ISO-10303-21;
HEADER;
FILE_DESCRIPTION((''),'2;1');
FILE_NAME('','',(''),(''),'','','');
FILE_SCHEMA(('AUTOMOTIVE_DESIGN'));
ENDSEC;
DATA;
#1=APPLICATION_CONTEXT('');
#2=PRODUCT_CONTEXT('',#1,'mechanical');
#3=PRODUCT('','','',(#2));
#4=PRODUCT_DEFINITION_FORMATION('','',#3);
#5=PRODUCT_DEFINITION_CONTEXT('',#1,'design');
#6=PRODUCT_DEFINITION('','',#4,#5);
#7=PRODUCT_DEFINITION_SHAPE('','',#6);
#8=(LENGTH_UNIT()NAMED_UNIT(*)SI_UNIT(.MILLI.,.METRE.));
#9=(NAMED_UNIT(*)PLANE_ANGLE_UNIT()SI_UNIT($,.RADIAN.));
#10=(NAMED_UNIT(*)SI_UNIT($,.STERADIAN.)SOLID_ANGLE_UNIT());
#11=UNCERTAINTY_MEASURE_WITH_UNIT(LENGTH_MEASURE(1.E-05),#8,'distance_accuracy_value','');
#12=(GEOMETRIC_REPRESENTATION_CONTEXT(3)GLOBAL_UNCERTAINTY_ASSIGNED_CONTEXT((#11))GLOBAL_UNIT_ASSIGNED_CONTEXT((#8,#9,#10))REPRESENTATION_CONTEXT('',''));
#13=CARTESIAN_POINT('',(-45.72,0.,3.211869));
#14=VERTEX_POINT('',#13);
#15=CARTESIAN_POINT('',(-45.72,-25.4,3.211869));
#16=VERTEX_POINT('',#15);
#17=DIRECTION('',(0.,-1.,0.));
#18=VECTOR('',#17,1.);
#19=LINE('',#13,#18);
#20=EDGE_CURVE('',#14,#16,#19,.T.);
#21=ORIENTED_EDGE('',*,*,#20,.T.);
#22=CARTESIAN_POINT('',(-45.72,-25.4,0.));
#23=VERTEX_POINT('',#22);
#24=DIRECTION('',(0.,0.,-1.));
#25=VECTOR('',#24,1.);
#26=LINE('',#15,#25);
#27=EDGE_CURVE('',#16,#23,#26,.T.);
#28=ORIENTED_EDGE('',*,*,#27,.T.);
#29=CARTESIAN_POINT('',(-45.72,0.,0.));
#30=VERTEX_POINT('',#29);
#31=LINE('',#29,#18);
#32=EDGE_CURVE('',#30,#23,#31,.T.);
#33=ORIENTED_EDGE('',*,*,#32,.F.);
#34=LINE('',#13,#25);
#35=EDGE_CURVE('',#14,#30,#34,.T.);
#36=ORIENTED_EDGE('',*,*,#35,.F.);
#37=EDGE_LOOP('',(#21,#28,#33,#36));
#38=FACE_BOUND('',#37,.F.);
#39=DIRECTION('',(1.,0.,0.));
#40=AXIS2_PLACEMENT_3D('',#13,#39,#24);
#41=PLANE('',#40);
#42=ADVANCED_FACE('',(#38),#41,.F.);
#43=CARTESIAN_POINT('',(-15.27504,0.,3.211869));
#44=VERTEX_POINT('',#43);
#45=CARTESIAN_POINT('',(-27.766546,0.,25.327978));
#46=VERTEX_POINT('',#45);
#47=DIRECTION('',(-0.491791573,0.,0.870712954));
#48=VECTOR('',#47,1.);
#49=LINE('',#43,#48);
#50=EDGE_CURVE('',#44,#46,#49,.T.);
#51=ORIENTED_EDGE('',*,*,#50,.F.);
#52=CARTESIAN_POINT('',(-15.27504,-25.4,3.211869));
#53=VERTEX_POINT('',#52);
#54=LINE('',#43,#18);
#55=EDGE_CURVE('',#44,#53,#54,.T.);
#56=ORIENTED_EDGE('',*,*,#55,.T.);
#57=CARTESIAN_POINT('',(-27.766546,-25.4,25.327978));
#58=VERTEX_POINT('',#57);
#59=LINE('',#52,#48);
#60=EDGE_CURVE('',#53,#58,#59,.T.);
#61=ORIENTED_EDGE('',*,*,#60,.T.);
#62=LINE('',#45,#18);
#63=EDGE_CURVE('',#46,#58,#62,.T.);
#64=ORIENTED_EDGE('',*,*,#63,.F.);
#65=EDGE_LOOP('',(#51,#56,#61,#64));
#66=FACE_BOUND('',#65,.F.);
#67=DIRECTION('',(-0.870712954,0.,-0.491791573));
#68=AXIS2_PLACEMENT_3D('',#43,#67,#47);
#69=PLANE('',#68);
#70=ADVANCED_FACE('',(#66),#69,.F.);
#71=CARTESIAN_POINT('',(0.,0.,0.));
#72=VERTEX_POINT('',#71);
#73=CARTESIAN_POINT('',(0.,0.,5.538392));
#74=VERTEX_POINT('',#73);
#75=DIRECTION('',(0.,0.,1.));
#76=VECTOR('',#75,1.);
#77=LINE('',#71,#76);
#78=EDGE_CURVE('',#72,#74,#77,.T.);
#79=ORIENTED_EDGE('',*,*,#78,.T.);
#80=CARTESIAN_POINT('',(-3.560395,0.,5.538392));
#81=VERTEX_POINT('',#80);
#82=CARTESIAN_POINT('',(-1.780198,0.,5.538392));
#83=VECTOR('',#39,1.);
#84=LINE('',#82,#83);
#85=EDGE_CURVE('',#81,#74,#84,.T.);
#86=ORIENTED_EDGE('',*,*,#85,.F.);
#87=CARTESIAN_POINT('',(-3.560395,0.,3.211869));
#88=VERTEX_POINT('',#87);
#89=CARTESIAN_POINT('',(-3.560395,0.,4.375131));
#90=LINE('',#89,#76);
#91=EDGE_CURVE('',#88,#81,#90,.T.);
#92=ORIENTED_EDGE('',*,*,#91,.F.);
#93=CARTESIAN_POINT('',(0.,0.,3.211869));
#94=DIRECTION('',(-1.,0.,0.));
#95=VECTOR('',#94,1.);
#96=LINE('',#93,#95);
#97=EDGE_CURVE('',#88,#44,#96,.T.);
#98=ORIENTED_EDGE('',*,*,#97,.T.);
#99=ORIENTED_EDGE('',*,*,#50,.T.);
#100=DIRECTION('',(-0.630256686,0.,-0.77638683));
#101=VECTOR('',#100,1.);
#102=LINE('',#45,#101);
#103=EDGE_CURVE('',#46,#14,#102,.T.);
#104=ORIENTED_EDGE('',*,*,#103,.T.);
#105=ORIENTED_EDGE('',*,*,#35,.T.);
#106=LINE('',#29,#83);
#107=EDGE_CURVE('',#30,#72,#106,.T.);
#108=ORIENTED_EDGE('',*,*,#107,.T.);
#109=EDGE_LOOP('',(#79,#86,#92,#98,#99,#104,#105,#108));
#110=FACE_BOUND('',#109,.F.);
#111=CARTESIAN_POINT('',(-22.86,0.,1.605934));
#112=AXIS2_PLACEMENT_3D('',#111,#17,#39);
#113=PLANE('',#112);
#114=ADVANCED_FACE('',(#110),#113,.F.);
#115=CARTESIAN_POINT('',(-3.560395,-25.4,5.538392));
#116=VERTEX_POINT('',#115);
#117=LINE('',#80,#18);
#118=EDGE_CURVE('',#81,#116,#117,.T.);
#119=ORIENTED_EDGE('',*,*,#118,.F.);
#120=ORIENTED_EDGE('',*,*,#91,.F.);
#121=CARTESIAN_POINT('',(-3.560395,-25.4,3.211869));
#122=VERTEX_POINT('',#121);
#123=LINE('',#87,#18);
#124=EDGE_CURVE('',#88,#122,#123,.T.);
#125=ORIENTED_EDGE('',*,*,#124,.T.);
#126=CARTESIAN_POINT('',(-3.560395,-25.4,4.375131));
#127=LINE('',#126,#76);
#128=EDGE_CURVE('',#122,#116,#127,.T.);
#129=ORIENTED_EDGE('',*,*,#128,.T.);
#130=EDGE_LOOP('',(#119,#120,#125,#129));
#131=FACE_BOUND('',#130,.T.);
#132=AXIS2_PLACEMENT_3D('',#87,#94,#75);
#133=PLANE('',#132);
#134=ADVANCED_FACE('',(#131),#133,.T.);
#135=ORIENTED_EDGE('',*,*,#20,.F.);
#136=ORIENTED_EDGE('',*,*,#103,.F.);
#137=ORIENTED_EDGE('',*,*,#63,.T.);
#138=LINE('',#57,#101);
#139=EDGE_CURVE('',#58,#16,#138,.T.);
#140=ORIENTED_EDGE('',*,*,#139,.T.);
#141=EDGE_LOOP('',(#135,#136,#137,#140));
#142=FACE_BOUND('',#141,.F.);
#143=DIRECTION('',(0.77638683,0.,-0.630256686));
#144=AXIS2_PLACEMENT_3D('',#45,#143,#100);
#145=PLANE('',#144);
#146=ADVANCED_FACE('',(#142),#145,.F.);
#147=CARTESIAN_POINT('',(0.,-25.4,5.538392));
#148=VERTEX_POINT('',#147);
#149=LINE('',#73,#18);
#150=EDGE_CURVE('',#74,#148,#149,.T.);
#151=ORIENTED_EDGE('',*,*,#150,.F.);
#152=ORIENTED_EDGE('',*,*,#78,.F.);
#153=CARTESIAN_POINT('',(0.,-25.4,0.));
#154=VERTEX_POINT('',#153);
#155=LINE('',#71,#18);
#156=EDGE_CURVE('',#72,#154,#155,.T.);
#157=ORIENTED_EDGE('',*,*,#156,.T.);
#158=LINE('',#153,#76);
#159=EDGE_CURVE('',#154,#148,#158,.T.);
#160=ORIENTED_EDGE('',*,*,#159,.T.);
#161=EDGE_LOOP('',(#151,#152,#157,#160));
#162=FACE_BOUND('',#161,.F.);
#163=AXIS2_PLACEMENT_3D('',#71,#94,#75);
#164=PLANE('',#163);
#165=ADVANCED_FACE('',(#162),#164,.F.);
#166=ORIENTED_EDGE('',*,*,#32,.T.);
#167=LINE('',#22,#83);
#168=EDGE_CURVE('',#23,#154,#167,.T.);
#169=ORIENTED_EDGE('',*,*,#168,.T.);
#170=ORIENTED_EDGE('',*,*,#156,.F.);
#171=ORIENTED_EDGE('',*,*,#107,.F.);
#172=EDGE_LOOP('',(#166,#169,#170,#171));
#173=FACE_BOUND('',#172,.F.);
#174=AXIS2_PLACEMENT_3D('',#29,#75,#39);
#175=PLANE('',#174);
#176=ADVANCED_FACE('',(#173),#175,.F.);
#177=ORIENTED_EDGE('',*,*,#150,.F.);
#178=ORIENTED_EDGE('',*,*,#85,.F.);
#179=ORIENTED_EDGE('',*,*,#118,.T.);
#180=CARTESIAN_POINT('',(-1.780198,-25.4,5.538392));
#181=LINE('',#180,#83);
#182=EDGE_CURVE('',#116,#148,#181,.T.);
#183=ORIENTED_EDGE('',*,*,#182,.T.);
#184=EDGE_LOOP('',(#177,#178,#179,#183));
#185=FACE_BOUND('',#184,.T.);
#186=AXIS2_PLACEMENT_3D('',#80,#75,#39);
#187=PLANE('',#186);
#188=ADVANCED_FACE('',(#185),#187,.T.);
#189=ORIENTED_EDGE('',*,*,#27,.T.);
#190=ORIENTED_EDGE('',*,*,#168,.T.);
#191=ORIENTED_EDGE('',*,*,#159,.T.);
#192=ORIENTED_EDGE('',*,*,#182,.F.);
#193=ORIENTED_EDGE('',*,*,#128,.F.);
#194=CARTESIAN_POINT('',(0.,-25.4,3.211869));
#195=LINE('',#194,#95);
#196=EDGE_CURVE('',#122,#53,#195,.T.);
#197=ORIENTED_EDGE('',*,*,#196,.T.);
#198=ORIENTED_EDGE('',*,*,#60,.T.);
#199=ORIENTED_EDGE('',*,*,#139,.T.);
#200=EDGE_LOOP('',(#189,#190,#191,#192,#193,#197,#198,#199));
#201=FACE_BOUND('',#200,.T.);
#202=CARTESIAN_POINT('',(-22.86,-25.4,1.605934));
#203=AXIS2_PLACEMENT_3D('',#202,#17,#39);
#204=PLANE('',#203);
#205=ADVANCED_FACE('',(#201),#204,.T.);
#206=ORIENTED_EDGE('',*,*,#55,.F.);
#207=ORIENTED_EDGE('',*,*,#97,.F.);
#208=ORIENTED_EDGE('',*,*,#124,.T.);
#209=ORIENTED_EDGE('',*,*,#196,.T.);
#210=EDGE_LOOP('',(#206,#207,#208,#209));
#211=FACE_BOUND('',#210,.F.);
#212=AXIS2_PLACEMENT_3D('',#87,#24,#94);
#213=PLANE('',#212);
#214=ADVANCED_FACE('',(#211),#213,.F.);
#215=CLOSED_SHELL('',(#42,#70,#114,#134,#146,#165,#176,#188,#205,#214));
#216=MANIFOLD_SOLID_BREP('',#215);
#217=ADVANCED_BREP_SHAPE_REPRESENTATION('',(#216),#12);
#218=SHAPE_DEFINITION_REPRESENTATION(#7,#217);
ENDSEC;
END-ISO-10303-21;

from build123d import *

# Parameters (mm, degrees)
F0_W     = 3.5603952128
F0_H     = 2.3265234751
F1_DEPTH = 25.4


with BuildPart() as f1:
    # F0 (on Front) → F1 (new body)
    with BuildSketch(Plane.XZ):
        Polygon((-45.72, 0), (0, 0), (0, 3.2118688712), (-3.5603952128, 3.2118688712), (-15.2750396183, 3.2118688712), (-45.72, 3.2118688712), align=None)
        with Locations((-1.7801976064, 4.3751306088)):
            Rectangle(F0_W, F0_H)
        Polygon((-27.766545563, 25.327977915), (-45.72, 3.2118688712), (-15.2750396183, 3.2118688712), align=None)
    extrude(amount=F1_DEPTH)


solid = f1.part
